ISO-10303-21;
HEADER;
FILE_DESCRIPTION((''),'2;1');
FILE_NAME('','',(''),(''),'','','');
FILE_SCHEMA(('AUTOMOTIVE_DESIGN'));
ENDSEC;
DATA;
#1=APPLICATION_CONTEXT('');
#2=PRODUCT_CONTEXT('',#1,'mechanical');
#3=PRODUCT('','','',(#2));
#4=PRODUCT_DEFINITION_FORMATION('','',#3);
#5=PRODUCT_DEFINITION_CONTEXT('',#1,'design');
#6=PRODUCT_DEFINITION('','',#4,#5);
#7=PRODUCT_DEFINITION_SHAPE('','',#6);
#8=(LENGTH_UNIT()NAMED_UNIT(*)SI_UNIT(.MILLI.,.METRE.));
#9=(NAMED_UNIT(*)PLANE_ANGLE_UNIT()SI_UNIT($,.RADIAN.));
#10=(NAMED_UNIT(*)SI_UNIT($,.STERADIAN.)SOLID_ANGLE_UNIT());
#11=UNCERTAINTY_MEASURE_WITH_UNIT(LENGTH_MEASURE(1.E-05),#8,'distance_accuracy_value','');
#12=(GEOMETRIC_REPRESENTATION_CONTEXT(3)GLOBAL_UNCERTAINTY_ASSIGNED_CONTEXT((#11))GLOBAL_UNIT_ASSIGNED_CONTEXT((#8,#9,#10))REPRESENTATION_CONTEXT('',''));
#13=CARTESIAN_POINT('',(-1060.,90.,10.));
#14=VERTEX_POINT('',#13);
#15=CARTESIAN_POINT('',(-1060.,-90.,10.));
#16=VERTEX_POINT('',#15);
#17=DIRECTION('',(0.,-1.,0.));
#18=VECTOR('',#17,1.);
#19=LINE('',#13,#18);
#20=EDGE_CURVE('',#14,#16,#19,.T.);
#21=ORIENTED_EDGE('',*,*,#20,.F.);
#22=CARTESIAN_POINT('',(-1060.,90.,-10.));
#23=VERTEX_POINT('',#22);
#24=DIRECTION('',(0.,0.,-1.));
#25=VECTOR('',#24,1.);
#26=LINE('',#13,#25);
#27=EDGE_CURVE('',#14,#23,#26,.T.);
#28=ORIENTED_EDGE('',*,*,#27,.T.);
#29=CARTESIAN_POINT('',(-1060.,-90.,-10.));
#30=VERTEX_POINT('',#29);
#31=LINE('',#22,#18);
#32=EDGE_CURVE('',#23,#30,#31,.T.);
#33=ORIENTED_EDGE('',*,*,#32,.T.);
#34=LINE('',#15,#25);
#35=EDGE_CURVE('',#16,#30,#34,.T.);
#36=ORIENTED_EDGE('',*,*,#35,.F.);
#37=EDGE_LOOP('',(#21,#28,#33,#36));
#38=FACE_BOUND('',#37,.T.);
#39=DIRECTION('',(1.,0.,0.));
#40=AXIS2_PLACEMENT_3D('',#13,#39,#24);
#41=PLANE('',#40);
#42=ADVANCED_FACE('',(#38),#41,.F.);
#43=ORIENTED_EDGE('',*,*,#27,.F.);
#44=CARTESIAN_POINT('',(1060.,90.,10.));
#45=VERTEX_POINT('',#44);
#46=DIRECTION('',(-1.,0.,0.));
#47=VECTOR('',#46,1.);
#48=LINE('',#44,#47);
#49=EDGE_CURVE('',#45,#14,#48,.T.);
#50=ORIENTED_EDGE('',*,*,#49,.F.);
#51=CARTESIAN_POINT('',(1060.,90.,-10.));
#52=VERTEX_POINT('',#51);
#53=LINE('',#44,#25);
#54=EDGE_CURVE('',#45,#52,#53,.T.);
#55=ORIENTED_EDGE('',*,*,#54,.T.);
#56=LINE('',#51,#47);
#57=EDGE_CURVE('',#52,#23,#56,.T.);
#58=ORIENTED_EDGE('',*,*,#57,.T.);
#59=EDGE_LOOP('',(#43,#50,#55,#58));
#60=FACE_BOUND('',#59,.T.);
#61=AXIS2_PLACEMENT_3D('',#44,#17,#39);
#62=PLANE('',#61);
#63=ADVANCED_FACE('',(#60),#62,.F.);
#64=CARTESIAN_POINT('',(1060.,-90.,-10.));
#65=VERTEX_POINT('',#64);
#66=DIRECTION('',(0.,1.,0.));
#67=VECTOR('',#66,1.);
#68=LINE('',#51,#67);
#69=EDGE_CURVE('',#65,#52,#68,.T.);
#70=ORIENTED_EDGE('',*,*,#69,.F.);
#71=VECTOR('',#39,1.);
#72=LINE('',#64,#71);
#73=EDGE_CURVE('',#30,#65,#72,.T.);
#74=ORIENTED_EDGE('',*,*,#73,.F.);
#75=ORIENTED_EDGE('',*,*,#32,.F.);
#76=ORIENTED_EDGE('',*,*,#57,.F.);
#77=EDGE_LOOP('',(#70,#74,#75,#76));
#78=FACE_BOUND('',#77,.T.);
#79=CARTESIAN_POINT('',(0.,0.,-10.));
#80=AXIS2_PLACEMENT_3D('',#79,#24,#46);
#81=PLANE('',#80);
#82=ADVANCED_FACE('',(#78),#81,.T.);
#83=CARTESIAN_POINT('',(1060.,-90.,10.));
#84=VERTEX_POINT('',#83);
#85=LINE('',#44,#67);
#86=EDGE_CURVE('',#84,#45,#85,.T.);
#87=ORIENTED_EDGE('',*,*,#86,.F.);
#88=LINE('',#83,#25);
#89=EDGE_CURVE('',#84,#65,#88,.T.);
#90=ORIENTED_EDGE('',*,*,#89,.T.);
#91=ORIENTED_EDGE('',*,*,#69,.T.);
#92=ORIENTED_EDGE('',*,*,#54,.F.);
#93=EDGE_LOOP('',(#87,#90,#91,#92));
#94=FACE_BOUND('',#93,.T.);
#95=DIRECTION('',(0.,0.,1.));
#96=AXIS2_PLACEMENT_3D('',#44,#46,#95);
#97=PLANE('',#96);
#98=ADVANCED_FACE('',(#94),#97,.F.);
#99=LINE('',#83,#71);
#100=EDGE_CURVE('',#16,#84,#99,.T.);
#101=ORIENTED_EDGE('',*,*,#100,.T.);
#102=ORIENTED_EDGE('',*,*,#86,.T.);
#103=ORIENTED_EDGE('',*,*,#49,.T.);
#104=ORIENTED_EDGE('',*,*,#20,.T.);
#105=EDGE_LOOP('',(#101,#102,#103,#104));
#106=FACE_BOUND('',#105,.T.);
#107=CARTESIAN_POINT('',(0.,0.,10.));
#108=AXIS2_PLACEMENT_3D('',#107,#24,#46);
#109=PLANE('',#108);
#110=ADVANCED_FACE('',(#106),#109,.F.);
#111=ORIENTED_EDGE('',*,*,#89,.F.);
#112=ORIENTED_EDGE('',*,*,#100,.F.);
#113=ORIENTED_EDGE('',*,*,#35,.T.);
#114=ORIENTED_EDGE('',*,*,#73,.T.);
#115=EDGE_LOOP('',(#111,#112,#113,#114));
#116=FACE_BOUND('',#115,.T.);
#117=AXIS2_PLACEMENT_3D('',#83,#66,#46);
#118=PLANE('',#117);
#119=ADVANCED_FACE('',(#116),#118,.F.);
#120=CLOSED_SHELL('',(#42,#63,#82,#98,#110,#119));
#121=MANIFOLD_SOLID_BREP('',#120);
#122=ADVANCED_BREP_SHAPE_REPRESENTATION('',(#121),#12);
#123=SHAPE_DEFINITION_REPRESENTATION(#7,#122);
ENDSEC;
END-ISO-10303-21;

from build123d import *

# Parameters (mm, degrees)
SKETCH1_W           = 2120
SKETCH1_H           = 180
BOSS_EXTRUDE1_DEPTH = 10


with BuildPart() as part:
    # Sketch1 → Boss-Extrude1 (new body, symmetric)
    with BuildSketch(Plane.XY):
        Rectangle(SKETCH1_W, SKETCH1_H)
    extrude(amount=BOSS_EXTRUDE1_DEPTH, both=True)


solid = part.part
